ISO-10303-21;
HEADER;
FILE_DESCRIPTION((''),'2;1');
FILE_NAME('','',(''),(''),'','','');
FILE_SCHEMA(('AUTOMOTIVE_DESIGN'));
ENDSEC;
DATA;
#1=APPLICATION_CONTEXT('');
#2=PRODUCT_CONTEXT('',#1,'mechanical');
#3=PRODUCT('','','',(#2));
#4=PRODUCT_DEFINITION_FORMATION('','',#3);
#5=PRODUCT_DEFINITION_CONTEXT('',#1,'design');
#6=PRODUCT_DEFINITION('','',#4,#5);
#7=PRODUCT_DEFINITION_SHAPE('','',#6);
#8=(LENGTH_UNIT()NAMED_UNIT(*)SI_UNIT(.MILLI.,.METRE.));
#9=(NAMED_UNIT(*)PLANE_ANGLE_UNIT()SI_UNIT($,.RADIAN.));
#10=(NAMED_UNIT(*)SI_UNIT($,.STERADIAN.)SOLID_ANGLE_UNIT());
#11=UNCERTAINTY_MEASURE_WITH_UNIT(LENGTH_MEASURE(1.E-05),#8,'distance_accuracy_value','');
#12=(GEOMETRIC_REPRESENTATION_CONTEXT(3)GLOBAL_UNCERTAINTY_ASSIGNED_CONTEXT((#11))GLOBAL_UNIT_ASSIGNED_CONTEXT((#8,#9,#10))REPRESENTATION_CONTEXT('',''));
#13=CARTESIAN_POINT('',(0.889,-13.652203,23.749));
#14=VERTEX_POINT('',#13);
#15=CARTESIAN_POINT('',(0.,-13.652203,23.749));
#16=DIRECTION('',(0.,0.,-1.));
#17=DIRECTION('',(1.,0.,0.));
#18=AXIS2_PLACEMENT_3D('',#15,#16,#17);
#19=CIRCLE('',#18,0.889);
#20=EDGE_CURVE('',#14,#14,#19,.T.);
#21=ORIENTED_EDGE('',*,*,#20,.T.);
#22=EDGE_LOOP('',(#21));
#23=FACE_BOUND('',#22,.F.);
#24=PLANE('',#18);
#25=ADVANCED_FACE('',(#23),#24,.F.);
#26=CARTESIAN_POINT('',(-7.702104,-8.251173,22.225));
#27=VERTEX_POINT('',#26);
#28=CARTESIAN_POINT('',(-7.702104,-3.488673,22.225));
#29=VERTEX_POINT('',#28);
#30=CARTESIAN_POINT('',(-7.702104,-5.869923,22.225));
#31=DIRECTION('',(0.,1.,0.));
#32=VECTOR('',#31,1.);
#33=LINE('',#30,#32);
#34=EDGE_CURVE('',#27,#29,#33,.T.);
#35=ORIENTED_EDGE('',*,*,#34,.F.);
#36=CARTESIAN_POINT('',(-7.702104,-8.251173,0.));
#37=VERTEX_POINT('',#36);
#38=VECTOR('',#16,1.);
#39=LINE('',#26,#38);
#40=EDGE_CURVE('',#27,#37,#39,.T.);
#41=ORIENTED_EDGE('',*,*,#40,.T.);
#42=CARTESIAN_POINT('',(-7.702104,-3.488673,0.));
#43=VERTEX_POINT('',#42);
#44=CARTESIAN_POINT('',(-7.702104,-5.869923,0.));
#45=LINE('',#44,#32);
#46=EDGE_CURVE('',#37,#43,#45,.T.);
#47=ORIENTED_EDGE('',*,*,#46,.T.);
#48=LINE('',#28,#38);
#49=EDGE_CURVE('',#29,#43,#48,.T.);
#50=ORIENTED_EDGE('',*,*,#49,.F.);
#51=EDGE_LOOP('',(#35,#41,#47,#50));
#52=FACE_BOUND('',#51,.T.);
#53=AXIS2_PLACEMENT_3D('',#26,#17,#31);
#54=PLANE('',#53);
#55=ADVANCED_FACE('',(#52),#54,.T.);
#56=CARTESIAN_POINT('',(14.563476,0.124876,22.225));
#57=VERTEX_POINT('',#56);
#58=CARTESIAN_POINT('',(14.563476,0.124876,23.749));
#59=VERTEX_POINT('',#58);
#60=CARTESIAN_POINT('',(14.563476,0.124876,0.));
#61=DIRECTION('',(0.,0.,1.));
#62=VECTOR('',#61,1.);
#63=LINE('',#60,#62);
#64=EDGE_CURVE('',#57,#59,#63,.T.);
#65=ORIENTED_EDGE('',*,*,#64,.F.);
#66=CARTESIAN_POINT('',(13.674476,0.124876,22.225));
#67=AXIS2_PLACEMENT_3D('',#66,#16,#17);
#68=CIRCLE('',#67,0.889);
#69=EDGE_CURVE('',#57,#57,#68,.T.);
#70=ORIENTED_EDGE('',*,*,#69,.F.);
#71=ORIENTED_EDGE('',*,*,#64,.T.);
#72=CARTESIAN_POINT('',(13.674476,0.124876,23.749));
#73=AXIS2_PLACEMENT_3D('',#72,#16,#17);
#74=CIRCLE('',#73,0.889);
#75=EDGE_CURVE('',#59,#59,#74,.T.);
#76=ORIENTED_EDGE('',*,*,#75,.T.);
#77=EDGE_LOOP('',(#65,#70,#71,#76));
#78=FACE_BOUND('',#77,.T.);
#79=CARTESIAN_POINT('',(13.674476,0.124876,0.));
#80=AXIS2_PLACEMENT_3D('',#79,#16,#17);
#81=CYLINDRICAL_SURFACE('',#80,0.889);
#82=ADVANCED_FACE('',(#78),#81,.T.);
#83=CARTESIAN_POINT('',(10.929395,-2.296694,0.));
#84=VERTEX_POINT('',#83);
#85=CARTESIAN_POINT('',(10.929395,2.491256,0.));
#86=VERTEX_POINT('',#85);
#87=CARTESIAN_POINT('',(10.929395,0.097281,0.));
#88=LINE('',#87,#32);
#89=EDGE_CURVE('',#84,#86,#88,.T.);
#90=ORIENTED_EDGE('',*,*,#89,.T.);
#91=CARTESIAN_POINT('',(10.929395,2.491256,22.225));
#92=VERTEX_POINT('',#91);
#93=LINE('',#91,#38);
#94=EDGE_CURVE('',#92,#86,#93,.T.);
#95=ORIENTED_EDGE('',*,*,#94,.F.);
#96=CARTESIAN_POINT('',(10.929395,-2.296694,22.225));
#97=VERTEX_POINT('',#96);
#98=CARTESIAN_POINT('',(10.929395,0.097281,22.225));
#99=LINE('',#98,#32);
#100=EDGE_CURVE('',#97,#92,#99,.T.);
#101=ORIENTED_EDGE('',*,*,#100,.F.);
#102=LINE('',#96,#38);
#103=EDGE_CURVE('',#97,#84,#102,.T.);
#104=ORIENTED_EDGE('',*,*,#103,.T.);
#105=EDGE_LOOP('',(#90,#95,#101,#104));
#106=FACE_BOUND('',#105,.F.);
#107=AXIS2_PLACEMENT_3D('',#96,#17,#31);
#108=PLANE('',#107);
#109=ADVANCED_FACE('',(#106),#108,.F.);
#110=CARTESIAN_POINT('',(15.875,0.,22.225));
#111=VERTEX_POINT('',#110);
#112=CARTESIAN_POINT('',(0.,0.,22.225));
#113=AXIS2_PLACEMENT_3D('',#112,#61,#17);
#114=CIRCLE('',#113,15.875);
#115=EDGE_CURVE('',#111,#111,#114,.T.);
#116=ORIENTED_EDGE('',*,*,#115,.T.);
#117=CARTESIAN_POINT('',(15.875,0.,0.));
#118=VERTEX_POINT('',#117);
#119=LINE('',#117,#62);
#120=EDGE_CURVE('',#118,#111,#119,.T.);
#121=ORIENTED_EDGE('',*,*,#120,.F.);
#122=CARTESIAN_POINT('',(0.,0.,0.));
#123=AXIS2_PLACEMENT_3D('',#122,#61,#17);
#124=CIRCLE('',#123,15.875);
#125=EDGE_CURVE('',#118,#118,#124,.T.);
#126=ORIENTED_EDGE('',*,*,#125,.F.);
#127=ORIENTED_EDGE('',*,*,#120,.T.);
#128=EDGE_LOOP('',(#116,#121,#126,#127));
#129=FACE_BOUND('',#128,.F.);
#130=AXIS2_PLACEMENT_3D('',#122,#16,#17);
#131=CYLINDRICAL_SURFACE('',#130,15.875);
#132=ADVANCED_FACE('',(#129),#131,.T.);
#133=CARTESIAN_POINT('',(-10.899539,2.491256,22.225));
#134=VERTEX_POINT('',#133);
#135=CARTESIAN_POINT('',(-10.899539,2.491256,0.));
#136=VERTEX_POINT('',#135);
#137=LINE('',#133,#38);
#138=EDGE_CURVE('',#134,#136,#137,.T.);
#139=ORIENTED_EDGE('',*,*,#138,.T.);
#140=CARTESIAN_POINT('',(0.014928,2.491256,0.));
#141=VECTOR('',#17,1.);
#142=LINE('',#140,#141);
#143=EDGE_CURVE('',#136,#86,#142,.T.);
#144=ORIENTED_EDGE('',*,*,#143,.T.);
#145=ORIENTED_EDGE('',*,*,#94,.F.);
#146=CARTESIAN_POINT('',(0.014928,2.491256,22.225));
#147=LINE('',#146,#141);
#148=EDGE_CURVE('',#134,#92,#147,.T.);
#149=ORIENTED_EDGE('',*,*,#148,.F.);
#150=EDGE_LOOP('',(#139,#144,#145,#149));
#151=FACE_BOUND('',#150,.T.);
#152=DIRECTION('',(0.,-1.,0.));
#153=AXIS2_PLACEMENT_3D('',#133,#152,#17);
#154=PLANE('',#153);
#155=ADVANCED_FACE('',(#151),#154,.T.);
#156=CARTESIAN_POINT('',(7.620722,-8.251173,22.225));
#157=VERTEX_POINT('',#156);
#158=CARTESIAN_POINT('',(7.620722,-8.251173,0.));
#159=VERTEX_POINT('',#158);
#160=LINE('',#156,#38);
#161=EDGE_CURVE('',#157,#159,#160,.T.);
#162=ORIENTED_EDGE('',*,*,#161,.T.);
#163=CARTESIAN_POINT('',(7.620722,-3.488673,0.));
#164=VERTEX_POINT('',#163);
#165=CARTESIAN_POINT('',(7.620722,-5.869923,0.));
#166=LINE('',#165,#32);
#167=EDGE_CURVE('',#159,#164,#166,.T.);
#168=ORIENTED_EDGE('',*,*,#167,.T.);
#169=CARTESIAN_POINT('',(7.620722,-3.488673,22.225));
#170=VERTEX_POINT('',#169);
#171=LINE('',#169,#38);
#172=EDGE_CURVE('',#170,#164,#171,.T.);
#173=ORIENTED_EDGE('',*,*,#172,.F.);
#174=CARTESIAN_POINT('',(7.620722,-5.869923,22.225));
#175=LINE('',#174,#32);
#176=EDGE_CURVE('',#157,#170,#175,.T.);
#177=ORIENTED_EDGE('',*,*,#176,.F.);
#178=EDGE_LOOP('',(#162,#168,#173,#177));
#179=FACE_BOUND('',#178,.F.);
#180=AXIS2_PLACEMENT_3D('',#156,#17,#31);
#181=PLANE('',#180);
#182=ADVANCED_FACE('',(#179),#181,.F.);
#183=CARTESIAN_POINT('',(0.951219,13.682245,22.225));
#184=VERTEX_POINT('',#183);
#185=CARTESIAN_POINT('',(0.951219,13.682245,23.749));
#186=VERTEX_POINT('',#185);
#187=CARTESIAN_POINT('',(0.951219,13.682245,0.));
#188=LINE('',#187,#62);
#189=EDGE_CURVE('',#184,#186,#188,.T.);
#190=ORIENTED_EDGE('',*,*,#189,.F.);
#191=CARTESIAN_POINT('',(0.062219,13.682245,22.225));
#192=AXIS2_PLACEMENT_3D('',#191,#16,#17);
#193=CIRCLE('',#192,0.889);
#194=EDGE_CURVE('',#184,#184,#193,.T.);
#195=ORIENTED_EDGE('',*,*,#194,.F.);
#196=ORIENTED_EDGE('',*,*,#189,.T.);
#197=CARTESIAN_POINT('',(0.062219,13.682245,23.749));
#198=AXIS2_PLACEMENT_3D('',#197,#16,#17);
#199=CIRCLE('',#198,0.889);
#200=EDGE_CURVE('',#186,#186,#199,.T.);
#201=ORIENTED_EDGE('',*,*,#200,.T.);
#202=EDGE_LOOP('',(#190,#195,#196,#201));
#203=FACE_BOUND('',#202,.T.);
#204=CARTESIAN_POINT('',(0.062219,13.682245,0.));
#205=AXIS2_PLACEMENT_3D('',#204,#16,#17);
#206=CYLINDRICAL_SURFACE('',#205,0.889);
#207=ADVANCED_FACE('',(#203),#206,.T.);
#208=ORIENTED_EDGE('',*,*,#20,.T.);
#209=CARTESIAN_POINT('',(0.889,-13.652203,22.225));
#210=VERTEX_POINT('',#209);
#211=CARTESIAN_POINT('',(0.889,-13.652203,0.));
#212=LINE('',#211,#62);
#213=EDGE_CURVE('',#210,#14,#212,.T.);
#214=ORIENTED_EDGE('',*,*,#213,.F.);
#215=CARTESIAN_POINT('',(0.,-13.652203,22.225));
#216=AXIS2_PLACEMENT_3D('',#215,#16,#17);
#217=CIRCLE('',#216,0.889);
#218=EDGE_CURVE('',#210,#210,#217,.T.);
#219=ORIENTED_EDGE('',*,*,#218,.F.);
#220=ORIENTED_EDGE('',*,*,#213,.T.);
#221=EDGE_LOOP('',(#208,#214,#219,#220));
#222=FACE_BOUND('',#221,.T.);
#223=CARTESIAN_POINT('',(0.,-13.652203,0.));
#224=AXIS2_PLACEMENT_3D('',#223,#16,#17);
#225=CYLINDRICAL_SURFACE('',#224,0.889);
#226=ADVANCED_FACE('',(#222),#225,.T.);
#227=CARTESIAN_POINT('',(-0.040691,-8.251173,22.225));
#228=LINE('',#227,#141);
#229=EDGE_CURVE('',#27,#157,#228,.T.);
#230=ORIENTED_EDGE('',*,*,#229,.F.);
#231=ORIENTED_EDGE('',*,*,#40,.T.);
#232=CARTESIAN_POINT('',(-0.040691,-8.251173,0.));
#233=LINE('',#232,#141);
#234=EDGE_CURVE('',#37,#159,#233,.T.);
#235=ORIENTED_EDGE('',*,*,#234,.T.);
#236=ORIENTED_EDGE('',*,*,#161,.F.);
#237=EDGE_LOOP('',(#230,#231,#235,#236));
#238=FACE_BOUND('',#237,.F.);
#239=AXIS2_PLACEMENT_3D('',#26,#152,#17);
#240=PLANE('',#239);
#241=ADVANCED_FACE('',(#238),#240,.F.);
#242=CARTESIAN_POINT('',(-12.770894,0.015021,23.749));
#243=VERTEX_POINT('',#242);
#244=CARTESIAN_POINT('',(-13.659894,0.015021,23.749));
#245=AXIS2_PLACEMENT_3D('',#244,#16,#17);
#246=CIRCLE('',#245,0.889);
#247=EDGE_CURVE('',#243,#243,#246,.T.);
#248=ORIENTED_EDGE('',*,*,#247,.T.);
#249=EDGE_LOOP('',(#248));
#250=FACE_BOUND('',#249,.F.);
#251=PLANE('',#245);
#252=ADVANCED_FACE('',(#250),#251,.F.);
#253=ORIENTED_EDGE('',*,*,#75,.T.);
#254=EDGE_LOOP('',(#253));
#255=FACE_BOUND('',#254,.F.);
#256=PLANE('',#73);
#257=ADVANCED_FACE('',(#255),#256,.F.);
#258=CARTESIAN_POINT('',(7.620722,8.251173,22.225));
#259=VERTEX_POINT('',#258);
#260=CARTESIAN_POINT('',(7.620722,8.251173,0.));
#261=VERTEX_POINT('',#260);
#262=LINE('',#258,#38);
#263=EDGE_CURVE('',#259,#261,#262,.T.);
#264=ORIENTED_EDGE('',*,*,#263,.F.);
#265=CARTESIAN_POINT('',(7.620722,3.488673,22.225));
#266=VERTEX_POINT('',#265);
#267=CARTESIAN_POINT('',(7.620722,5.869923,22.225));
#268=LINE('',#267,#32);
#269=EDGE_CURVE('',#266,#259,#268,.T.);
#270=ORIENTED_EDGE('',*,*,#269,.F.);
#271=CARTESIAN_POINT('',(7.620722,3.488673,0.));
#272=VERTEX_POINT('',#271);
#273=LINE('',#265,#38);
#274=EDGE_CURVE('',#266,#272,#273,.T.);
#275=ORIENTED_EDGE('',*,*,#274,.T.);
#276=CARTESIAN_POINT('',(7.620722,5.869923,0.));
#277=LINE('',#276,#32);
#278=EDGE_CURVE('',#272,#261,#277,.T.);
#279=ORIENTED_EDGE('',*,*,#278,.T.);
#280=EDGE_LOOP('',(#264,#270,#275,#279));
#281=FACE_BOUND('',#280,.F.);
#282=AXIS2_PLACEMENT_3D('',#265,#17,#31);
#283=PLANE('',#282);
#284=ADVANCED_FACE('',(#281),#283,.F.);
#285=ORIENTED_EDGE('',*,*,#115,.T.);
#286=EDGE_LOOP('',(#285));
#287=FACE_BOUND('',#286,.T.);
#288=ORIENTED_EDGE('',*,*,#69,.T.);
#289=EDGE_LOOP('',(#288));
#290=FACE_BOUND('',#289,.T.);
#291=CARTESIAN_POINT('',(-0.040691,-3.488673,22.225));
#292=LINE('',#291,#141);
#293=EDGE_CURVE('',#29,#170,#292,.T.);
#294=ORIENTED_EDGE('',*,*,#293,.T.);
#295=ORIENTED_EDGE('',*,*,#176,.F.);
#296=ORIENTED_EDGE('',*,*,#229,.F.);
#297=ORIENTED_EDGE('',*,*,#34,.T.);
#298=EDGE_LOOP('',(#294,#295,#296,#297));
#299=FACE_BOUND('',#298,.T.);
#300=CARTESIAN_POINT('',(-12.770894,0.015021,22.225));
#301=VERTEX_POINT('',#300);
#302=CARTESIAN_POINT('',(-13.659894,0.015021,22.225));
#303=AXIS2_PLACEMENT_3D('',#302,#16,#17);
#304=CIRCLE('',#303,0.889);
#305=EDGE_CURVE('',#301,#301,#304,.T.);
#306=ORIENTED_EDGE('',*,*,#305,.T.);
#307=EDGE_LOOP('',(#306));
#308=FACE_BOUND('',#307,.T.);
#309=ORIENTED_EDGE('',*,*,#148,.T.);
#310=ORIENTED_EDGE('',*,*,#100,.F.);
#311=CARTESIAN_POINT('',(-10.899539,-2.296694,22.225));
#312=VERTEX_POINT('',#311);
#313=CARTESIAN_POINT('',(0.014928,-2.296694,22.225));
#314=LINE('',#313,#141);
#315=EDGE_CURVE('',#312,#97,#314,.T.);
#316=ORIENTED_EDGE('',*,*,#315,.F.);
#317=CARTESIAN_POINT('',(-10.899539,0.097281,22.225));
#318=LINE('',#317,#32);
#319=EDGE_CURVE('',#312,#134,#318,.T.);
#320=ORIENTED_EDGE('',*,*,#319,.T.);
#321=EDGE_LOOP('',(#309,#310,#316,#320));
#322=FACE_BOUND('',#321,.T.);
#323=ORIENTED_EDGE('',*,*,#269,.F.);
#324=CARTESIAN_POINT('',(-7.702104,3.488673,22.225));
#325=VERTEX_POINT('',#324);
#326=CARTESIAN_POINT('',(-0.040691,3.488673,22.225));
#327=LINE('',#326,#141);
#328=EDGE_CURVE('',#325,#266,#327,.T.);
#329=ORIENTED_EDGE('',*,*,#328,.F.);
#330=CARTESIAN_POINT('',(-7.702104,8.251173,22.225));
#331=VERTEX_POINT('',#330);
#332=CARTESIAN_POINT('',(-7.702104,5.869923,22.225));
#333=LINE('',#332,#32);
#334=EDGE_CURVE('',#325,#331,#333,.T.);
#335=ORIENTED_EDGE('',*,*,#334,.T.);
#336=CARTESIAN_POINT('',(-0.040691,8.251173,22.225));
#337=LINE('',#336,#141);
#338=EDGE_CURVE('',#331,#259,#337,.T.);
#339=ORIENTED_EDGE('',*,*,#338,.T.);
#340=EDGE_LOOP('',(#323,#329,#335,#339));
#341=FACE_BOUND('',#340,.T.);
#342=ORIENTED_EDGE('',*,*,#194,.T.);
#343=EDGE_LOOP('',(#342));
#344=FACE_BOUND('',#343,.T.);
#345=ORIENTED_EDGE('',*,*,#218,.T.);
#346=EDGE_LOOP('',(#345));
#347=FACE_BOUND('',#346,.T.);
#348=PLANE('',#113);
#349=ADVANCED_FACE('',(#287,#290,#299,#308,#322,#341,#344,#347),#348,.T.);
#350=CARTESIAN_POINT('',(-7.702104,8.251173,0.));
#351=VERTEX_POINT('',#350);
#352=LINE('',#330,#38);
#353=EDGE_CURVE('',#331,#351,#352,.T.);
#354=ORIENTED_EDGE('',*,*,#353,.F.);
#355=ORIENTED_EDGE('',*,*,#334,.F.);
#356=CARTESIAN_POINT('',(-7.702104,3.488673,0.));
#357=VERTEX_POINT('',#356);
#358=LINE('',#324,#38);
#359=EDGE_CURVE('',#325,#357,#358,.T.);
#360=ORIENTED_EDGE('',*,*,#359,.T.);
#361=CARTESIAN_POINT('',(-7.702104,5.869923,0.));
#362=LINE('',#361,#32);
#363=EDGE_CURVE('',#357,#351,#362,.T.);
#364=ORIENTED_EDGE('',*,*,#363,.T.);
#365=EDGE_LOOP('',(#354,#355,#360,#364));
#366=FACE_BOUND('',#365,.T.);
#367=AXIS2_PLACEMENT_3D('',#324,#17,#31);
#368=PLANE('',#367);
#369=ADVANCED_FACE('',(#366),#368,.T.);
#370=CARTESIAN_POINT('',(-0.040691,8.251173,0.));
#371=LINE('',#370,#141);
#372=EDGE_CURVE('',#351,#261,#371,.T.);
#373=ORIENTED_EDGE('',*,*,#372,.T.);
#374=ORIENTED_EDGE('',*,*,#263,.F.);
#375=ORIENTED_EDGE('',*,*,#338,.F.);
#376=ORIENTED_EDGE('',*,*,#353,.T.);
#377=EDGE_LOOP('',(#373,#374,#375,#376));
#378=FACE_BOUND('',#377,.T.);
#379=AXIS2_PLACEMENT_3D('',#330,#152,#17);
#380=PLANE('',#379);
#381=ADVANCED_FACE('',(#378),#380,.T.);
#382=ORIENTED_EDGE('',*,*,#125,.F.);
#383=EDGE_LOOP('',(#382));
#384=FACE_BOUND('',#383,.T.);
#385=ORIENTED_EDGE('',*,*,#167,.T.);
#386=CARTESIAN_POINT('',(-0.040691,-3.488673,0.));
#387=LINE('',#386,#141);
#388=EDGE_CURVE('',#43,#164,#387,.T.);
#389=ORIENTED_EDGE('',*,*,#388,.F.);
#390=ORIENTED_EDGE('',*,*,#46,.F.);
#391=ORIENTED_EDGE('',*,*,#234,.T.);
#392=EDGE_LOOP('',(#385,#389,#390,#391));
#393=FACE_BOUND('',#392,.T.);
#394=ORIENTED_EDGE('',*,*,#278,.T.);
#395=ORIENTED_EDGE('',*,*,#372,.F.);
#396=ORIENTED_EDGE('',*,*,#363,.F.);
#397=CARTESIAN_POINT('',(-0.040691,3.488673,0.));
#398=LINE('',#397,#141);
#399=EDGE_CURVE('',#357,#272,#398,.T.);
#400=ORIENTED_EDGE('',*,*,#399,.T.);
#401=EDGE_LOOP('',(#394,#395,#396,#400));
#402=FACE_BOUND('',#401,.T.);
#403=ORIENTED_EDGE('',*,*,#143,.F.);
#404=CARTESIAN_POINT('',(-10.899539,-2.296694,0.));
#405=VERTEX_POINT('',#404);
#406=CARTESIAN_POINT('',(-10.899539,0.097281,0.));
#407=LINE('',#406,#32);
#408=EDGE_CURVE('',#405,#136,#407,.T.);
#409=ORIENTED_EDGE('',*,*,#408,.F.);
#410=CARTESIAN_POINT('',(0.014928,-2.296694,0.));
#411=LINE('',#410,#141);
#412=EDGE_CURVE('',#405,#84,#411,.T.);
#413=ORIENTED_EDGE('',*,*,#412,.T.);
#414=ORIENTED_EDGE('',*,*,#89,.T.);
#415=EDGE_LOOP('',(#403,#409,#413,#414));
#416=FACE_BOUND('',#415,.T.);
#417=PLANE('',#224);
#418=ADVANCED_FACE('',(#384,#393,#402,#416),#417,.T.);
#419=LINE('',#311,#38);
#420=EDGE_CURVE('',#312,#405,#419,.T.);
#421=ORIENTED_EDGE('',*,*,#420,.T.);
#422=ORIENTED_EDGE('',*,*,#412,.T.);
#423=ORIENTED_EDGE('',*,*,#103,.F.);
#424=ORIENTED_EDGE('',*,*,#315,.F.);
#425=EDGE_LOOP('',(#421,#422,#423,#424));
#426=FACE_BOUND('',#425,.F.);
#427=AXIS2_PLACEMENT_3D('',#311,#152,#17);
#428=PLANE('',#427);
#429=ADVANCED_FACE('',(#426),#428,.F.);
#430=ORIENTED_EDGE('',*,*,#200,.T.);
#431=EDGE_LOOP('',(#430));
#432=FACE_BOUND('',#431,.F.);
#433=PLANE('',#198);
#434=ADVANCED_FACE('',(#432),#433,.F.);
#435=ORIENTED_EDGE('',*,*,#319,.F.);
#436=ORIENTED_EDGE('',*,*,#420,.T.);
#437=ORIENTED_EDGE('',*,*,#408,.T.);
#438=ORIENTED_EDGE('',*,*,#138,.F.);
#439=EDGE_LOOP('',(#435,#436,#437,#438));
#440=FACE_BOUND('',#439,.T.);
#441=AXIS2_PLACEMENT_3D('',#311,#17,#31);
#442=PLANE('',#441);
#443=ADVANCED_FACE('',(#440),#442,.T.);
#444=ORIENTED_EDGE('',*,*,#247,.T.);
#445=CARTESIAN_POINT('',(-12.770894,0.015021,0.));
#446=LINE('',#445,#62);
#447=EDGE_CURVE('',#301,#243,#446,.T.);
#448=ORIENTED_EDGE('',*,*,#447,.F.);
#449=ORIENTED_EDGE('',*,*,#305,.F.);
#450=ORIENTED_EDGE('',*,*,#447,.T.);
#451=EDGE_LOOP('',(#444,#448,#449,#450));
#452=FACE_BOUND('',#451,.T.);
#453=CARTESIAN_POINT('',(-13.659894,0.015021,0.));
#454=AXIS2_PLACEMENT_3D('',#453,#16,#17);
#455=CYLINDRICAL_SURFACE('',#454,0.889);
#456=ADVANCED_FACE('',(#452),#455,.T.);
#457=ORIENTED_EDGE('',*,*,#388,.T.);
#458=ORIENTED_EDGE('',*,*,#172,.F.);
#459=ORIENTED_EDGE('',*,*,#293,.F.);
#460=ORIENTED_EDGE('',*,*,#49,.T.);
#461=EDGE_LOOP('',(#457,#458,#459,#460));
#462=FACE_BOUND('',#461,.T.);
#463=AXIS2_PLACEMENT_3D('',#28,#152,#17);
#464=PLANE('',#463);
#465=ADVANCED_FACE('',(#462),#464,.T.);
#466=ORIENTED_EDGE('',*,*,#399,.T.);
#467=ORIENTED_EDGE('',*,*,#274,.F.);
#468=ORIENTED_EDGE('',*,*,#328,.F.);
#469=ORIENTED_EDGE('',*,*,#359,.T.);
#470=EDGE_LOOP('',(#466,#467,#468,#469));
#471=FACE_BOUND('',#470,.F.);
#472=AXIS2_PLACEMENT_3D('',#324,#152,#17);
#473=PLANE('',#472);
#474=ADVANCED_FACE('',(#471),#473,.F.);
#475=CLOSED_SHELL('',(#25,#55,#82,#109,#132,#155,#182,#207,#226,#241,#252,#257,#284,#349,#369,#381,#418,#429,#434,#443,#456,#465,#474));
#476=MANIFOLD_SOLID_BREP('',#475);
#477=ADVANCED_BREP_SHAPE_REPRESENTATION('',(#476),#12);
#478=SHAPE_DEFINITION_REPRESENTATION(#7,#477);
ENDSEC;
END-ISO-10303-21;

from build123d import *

# Parameters (mm, degrees)
F0_R     = 15.875
F1_DEPTH = 22.225
F3_R     = 0.889
F5_DEPTH = 23.749
F7_W     = 21.828934
F7_H     = 4.78795
F7_W_2   = 15.322826
F7_H_2   = 4.7625
F6_DEPTH = 22.225


with BuildPart() as f1:
    # F0 (on Top) → F1 (new body)
    with BuildSketch(Plane.XY):
        Circle(F0_R)
    extrude(amount=F1_DEPTH)

    # F3 (on face) → F5 (join)
    with BuildSketch(Plane(origin=(0, 0, 0), x_dir=(1, 0, 0), z_dir=(0, 0, -1))):
        with Locations((0, 13.652203)):
            Circle(F3_R)
        with Locations((-13.659894, -0.015021)):
            Circle(F3_R)
        with Locations((0.062219, -13.682245)):
            Circle(F3_R)
        with Locations((13.674476, -0.124876)):
            Circle(F3_R)
    extrude(amount=-F5_DEPTH)

    # F7 (on face) → F6 (cut)
    with BuildSketch(Plane.XY.offset(22.225)):
        with Locations((0.014928, 0.097281)):
            Rectangle(F7_W, F7_H)
        with Locations((-0.040691, 5.869923)):
            Rectangle(F7_W_2, F7_H_2)
        with Locations((-0.040691, -5.869923)):
            Rectangle(F7_W_2, F7_H_2)
    extrude(amount=-F6_DEPTH, mode=Mode.SUBTRACT)


solid = f1.part
